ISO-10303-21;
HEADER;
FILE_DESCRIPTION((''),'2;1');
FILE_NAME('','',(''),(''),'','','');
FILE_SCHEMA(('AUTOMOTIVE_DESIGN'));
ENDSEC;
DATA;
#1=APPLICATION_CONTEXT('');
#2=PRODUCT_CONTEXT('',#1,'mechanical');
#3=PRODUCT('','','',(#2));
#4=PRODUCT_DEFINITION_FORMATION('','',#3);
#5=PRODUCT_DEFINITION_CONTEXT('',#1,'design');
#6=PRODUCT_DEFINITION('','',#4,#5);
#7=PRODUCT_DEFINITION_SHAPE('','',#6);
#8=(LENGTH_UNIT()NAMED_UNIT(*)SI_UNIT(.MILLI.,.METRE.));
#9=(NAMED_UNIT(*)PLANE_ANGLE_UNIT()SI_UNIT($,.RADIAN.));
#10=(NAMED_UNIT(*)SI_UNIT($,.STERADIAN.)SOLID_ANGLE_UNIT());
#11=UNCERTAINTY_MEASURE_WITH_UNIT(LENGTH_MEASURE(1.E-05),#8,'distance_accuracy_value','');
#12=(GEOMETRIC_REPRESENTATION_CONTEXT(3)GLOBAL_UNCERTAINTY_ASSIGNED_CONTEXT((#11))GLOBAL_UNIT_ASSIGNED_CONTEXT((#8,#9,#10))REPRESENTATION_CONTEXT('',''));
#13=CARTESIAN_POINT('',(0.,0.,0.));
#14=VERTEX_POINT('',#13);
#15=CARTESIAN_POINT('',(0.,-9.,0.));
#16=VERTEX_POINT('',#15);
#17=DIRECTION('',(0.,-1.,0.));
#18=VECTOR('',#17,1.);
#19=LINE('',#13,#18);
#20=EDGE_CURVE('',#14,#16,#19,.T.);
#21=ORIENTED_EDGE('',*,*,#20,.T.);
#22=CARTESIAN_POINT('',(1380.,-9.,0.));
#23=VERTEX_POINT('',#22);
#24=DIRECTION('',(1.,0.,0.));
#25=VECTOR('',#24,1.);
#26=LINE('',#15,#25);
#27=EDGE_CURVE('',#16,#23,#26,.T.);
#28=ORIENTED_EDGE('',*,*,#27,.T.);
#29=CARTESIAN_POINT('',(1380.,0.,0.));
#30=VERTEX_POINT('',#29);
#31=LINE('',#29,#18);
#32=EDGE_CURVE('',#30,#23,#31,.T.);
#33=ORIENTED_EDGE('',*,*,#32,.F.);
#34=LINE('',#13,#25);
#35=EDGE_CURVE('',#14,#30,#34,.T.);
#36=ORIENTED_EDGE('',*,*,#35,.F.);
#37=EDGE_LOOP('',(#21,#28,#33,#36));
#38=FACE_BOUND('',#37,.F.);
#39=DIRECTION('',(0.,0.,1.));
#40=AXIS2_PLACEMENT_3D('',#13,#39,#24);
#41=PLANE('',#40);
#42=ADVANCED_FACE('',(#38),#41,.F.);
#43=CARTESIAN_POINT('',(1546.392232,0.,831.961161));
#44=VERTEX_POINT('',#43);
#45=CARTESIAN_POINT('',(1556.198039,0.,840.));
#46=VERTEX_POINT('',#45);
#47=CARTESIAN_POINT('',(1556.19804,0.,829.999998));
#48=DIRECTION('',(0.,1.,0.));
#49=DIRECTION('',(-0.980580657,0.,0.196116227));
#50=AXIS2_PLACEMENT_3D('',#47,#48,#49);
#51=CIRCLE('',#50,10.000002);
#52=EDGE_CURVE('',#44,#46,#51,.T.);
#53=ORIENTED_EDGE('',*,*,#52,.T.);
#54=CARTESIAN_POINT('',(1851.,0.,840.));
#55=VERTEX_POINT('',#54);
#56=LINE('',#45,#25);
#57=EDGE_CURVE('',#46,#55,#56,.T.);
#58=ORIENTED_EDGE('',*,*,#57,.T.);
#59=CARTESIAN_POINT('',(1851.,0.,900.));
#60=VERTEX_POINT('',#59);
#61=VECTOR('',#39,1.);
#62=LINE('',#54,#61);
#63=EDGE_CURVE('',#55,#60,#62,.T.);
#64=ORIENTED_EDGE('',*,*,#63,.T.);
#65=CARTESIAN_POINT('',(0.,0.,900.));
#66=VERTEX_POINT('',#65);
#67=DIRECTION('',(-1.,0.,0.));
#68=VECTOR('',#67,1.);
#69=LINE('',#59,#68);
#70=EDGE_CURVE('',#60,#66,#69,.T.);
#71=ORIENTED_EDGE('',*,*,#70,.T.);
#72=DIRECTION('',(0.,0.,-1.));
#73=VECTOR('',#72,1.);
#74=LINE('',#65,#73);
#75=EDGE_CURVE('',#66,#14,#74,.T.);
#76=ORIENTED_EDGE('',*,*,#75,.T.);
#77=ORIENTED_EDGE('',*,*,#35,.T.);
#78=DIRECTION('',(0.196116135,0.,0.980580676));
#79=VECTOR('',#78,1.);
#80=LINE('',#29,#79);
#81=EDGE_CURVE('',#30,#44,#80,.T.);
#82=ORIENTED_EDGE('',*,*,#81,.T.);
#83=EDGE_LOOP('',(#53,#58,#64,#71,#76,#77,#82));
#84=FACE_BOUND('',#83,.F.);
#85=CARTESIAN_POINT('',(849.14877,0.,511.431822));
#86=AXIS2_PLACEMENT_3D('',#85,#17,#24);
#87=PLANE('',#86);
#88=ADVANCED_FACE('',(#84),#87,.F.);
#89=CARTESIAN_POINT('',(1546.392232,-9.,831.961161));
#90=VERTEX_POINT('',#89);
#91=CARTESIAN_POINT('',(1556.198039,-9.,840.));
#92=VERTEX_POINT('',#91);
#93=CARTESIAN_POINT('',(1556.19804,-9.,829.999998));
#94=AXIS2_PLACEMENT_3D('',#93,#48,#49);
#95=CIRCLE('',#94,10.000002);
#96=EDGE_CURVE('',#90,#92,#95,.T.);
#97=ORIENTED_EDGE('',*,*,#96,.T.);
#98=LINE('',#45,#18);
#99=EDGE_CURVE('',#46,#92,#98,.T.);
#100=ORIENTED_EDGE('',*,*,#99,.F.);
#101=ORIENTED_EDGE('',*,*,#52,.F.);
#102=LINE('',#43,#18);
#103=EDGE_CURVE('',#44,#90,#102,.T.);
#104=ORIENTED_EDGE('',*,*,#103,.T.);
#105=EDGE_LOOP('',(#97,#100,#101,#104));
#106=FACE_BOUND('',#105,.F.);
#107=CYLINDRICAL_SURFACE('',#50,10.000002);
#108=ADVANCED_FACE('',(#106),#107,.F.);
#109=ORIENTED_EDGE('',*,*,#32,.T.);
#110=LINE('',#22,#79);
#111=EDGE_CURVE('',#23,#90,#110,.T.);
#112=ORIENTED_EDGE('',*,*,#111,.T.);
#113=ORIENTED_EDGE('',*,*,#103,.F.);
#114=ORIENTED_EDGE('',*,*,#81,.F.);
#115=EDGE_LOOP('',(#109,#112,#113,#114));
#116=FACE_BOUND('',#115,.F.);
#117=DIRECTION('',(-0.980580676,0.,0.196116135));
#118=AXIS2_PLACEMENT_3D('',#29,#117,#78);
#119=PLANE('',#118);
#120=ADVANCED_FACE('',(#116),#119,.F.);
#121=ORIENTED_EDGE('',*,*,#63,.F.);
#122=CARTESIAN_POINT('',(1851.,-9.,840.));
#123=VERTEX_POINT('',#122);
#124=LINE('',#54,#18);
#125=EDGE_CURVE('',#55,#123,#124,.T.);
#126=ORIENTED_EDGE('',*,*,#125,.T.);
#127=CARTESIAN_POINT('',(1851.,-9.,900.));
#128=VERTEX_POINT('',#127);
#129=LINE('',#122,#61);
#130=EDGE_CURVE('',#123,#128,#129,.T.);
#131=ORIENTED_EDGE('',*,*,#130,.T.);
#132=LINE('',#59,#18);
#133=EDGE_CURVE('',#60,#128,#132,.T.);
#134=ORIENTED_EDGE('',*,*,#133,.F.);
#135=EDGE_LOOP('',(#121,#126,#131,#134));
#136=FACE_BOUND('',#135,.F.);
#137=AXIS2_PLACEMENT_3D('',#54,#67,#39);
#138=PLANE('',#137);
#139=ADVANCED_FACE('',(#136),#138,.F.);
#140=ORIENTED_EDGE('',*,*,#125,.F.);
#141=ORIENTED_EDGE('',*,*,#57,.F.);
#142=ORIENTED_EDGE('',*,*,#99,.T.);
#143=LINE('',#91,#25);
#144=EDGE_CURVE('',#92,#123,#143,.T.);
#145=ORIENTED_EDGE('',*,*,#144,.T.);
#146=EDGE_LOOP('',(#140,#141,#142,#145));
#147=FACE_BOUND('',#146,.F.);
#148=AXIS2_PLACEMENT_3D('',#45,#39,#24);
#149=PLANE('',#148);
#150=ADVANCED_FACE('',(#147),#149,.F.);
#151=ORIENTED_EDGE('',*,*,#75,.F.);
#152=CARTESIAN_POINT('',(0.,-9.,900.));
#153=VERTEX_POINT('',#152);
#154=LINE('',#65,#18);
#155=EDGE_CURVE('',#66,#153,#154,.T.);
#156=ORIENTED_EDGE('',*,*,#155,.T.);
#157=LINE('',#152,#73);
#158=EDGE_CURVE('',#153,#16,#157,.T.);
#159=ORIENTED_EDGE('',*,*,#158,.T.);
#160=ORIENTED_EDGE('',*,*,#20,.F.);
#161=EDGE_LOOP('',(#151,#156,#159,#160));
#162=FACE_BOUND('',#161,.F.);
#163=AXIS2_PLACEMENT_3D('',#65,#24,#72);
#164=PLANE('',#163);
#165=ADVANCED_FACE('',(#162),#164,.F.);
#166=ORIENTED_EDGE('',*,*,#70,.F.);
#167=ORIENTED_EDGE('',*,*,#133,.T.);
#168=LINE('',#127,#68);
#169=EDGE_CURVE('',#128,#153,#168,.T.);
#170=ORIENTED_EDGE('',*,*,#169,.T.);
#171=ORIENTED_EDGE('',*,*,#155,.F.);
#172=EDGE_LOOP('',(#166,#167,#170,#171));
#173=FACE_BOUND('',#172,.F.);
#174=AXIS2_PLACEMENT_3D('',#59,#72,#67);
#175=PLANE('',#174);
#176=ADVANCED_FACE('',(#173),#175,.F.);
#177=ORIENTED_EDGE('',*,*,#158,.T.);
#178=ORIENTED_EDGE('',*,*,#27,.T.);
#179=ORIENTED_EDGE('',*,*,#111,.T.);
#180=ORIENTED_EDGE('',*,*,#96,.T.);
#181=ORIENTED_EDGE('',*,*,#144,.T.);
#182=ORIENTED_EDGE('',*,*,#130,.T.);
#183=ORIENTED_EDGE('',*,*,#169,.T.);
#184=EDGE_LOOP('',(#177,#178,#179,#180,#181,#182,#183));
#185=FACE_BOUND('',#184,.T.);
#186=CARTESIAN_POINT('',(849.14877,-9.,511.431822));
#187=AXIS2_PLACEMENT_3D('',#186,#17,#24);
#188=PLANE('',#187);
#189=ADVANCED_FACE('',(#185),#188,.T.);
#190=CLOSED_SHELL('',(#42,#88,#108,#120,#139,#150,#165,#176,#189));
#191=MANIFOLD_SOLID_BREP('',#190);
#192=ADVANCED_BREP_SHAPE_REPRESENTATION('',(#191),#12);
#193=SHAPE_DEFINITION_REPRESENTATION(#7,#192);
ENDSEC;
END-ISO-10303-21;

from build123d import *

# Parameters (mm, degrees)
F1_DEPTH = 9


with BuildPart() as f1:
    # F0 (on Front) → F1 (new body)
    with BuildSketch(Plane.XZ):
        with BuildLine():
            Line((1851, 900), (0, 900))
            Line((0, 900), (0, 0))
            Line((0, 0), (1380, 0))
            Line((1380, 0), (1546.392232, 831.961161))
            ThreePointArc((1546.392232, 831.961161), (1549.85815, 837.733421), (1556.198039, 840))
            Line((1556.198039, 840), (1851, 840))
            Line((1851, 840), (1851, 900))
        make_face()
    extrude(amount=F1_DEPTH)


solid = f1.part
